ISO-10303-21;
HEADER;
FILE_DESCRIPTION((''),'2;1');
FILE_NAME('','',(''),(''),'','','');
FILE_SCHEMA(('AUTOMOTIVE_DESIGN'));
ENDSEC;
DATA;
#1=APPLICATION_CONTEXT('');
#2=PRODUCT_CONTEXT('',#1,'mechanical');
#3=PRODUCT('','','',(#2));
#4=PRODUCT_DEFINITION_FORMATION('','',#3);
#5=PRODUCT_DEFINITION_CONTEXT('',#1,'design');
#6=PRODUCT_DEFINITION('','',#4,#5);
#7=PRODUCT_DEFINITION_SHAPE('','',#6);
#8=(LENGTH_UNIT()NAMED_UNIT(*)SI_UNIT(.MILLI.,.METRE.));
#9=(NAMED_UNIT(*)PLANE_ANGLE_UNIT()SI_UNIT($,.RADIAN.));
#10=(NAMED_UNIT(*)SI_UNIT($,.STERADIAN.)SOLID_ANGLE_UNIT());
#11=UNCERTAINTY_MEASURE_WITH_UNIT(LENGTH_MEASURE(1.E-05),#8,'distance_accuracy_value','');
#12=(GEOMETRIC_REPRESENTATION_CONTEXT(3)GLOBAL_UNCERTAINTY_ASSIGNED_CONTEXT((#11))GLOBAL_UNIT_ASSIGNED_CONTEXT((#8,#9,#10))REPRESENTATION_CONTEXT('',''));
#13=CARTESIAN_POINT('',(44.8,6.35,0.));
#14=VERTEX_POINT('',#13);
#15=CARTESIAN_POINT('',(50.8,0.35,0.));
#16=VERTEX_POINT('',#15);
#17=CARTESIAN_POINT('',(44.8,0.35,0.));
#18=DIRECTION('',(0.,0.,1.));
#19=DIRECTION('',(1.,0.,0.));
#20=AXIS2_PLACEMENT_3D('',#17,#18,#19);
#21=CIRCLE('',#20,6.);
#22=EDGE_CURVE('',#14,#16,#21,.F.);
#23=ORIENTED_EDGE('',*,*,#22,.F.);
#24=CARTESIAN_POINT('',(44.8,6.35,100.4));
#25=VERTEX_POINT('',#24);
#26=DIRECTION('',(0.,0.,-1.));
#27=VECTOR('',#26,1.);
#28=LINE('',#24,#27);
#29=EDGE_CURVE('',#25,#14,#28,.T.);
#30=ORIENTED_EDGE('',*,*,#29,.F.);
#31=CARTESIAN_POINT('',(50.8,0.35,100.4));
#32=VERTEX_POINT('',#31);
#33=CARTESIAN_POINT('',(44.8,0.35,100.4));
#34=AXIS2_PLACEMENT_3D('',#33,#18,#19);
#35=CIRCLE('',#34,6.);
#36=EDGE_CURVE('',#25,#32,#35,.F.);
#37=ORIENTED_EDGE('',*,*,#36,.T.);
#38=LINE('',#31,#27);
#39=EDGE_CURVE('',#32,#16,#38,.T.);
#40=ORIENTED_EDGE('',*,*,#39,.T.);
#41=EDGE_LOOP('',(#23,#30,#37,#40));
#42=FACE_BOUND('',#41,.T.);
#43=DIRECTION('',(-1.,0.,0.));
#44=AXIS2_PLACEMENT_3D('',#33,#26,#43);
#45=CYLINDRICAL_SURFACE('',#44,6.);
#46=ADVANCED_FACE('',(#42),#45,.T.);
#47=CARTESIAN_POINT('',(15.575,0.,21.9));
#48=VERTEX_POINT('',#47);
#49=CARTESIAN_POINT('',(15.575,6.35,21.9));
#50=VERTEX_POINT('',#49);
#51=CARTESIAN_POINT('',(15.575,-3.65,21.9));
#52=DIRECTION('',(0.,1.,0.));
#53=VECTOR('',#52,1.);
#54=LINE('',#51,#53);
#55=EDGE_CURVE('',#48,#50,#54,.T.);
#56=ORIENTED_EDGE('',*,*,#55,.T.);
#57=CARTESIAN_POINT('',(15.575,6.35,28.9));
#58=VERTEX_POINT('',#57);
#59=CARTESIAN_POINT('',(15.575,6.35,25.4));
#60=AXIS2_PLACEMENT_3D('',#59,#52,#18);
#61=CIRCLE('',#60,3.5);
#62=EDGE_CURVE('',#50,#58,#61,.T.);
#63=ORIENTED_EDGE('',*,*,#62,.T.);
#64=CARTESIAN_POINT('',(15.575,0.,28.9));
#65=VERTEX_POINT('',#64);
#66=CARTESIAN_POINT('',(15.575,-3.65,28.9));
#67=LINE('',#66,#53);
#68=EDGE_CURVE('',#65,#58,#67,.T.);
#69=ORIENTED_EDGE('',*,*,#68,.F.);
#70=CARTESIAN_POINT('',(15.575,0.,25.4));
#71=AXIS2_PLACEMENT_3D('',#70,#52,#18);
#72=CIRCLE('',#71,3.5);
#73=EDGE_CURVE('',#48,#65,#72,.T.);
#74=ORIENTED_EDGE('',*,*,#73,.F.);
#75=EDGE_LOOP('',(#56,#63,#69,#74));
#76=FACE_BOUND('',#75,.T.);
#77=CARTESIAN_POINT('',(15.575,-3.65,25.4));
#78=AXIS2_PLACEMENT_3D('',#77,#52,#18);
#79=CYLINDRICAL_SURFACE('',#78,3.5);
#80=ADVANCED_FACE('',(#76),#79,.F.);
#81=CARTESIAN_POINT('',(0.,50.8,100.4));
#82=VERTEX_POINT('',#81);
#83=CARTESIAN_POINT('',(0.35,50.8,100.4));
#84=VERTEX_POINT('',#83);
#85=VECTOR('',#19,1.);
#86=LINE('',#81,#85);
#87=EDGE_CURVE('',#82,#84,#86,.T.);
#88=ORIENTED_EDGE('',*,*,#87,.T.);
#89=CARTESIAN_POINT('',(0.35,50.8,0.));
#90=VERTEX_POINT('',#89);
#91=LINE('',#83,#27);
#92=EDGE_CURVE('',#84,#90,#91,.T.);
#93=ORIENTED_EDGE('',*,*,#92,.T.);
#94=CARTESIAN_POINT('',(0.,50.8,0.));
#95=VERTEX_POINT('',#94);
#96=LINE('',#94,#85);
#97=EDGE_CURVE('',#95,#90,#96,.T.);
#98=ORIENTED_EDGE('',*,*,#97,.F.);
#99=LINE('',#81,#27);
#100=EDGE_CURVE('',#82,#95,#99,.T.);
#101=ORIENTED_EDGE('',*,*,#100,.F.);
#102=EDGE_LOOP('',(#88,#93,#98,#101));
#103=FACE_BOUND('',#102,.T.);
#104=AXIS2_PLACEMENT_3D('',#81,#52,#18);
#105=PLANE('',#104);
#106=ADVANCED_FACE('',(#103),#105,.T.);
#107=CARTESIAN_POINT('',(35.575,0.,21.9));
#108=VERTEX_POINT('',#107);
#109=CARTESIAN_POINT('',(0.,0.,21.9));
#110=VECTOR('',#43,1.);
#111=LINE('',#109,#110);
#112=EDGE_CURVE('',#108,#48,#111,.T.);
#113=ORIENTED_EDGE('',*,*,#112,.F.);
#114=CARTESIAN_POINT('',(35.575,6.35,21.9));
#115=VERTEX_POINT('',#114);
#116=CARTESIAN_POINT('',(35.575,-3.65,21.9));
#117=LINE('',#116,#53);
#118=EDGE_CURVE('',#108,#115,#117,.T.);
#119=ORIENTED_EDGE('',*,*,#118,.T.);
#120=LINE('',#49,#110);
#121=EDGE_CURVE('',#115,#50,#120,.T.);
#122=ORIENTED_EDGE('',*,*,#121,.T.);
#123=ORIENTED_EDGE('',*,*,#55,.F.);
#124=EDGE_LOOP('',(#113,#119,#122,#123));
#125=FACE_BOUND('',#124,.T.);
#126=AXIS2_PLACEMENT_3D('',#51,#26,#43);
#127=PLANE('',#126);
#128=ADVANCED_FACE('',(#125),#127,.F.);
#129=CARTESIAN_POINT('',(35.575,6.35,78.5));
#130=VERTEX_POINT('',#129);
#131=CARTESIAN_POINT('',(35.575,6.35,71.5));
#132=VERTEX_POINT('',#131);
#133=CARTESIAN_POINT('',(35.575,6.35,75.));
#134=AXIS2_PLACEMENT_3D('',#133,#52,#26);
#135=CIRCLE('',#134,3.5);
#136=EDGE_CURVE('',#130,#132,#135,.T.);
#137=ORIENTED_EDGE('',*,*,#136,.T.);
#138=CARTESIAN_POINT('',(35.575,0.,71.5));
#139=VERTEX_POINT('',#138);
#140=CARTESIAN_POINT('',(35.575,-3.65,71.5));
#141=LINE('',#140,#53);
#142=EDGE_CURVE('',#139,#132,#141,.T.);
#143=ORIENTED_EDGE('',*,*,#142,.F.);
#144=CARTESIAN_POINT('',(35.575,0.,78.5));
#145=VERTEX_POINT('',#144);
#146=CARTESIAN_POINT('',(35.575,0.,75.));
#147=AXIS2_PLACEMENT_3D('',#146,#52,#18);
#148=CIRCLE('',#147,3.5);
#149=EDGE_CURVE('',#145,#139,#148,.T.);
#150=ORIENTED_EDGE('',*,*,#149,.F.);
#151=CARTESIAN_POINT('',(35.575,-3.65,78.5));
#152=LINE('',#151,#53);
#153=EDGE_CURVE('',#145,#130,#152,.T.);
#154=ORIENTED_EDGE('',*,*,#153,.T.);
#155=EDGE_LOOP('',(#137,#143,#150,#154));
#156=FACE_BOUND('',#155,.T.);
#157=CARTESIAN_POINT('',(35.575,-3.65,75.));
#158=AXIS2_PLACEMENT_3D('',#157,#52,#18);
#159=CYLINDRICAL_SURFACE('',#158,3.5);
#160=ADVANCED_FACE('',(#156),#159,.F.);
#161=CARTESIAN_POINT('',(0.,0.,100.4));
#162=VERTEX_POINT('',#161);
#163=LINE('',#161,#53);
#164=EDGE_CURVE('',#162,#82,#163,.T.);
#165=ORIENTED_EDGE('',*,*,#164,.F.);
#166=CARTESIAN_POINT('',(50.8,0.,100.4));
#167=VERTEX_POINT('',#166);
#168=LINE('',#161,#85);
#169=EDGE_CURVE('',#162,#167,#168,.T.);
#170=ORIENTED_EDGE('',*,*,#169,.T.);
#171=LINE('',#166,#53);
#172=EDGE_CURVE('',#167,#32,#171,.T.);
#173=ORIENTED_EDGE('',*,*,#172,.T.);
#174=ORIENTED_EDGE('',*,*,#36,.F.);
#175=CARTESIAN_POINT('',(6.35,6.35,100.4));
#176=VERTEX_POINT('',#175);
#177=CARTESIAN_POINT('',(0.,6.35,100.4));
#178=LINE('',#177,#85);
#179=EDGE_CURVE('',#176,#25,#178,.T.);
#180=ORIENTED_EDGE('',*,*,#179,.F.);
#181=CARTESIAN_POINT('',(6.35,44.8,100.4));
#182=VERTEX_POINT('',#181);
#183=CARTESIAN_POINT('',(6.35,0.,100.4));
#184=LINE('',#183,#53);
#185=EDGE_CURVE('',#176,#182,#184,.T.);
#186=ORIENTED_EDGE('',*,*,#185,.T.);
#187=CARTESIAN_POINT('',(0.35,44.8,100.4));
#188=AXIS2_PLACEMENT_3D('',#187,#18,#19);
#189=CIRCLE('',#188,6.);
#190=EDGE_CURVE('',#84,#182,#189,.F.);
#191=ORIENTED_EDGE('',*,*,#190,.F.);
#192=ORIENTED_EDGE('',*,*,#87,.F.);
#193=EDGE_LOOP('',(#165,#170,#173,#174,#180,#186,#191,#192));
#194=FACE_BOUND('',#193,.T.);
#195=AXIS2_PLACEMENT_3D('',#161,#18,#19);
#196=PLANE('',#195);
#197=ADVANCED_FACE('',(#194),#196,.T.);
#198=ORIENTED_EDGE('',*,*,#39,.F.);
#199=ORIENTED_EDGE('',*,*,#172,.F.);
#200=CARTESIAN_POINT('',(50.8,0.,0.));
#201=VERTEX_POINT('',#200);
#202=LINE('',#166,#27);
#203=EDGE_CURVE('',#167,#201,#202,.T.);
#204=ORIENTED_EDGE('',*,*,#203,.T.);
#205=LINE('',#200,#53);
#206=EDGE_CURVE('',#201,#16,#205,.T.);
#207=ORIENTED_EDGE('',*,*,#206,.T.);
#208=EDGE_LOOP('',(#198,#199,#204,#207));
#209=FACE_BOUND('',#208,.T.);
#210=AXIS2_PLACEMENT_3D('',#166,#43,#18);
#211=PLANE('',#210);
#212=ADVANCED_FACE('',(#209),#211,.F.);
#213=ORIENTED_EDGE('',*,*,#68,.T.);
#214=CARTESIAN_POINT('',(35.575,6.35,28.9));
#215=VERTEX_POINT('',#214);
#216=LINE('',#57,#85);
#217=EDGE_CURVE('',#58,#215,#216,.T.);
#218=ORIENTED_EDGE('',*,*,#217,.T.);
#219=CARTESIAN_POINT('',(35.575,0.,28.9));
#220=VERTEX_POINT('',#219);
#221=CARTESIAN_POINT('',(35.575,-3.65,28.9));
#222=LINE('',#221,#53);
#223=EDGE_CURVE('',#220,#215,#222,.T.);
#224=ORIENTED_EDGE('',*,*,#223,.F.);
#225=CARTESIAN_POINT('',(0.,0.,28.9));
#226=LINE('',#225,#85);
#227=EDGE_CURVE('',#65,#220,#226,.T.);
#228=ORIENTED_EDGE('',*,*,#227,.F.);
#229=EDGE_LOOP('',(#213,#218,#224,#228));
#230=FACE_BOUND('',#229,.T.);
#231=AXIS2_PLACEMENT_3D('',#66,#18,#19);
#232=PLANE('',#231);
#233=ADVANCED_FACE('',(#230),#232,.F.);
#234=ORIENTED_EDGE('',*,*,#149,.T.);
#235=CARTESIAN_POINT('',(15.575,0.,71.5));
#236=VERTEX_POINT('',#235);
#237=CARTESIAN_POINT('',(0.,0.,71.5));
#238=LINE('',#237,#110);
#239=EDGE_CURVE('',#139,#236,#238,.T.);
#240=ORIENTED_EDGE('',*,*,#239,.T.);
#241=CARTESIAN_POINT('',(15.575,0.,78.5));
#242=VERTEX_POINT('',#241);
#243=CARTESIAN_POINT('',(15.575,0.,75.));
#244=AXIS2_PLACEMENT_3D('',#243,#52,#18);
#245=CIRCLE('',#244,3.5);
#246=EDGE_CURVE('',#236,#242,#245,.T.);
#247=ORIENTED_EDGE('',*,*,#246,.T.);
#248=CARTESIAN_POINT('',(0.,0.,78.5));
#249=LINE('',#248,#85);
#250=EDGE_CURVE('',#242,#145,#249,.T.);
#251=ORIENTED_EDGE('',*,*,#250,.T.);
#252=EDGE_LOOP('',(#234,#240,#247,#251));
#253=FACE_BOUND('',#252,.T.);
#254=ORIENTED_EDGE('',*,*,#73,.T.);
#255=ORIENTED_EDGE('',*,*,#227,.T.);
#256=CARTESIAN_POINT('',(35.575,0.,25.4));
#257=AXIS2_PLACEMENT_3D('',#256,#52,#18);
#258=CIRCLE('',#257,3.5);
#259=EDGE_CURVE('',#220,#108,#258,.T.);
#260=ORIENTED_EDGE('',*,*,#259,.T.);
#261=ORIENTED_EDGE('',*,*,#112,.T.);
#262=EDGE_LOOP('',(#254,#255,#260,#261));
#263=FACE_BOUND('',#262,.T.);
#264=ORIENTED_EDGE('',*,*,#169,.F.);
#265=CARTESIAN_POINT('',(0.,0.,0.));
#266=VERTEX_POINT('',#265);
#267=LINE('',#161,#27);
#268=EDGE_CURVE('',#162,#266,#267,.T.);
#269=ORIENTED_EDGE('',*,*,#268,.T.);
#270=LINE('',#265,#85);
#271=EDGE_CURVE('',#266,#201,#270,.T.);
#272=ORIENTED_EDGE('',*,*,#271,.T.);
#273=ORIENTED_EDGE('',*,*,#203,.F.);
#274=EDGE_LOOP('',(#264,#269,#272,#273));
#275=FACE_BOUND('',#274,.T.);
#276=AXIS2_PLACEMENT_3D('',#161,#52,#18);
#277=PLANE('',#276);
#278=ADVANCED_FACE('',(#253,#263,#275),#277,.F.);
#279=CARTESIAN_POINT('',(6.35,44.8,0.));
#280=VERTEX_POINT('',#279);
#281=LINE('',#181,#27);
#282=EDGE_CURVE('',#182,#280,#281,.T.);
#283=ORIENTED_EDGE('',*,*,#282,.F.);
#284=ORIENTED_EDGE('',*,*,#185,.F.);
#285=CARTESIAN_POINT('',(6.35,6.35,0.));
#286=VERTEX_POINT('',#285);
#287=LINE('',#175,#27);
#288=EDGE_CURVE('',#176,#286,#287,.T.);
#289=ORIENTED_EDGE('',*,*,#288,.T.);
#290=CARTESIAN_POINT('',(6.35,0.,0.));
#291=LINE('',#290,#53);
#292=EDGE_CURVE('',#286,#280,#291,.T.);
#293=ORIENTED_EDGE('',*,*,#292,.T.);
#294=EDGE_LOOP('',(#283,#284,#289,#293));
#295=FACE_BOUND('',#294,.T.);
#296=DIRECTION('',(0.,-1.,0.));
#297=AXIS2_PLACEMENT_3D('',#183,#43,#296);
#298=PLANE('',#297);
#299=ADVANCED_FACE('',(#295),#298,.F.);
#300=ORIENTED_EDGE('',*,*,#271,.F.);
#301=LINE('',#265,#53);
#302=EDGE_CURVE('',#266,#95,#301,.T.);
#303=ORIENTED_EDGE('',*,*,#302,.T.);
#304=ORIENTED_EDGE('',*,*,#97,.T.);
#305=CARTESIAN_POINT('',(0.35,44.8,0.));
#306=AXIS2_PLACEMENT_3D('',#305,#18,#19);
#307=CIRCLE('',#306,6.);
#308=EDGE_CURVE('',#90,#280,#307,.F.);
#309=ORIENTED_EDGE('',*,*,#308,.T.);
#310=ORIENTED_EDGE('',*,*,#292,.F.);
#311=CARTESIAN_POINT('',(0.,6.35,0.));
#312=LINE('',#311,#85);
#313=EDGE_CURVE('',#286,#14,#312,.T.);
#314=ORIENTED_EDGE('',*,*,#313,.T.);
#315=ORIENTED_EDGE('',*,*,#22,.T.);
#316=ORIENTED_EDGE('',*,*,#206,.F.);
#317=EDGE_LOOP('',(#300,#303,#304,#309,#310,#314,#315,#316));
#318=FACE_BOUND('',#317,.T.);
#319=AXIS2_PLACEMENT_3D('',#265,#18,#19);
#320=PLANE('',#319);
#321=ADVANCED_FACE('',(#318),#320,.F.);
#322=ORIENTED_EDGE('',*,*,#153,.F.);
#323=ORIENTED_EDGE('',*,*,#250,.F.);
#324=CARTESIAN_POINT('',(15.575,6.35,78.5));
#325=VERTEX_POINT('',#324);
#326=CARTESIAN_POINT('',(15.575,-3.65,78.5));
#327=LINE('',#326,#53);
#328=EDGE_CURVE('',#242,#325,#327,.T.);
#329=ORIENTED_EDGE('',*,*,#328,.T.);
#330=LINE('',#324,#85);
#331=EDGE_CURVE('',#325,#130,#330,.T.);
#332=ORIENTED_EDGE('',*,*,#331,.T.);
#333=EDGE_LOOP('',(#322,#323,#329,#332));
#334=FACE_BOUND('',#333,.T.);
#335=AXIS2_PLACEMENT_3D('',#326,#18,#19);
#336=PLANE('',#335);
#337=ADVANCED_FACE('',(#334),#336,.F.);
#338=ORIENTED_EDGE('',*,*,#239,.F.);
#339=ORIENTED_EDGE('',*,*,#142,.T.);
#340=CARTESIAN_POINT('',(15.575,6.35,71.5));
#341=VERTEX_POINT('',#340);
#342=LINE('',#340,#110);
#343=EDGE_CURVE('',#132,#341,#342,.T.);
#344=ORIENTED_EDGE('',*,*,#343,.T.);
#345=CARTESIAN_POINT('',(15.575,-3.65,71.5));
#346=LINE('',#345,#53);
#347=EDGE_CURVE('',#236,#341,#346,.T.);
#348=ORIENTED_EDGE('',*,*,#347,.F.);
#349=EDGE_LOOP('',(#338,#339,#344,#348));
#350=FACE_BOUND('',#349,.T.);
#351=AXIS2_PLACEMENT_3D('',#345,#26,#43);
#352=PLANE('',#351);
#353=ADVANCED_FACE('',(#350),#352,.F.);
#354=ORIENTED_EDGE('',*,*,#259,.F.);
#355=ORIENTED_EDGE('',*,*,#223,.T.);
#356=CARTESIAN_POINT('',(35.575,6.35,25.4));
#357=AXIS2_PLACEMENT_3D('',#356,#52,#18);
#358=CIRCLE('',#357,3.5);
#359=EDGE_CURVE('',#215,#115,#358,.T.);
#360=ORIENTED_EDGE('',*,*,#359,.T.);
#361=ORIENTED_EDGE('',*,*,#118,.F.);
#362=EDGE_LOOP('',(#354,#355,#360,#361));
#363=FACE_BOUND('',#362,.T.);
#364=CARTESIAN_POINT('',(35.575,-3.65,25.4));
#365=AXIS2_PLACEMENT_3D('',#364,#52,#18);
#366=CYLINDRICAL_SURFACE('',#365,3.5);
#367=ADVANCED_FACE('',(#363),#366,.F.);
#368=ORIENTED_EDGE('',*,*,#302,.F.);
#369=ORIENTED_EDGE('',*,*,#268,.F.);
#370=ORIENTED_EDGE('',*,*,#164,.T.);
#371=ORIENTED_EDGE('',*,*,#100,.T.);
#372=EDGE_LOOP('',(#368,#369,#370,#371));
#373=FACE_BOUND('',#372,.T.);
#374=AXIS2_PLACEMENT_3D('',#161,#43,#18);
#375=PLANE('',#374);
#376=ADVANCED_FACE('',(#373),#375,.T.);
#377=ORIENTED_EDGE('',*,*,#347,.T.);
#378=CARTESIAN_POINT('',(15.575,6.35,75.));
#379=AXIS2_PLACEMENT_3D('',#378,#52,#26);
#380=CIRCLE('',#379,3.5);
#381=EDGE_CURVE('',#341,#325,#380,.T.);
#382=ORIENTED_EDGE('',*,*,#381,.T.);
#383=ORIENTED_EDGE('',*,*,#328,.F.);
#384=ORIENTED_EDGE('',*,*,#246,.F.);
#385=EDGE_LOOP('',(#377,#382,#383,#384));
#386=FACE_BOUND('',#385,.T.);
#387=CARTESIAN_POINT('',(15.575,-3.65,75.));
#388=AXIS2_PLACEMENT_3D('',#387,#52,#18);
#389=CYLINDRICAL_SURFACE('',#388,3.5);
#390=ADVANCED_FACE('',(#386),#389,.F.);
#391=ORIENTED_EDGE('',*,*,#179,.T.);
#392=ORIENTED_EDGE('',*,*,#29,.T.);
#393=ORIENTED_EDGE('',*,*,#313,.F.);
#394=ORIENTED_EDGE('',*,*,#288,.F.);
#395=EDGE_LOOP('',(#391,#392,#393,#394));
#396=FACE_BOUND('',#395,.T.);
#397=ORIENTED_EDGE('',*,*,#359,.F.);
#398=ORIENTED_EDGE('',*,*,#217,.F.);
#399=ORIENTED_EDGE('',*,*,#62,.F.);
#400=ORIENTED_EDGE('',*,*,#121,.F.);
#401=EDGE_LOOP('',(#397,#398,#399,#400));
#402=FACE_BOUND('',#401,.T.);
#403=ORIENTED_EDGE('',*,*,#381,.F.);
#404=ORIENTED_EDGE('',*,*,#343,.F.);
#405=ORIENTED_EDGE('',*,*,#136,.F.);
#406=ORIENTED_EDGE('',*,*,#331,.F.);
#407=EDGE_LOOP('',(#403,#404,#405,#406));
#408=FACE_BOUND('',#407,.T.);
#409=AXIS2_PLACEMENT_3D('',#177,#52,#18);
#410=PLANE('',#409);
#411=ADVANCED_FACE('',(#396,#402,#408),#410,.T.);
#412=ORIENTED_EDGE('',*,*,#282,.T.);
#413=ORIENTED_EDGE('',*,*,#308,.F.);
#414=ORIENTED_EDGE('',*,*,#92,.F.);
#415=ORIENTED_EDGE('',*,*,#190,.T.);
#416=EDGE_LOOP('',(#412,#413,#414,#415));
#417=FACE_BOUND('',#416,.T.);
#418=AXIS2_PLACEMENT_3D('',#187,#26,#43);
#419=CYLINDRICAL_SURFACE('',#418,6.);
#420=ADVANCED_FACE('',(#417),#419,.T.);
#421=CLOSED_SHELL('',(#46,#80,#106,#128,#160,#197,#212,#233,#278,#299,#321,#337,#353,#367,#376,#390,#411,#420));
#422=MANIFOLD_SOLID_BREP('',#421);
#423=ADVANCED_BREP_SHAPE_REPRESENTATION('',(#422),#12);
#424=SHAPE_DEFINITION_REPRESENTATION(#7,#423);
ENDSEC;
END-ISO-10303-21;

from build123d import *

# Parameters (mm, degrees)
BOSS_EXTRUDE1_DEPTH = 100.4
CUT_EXTRUDE1_DEPTH  = 10


with BuildPart() as part:
    # Sketch1 → Boss-Extrude1 (new body)
    with BuildSketch(Plane.XY):
        with BuildLine():
            Line((44.8, 6.35), (12.35, 6.35))
            Line((12.35, 6.35), (6.35, 6.35))
            Line((6.35, 6.35), (6.35, 44.8))
            ThreePointArc((6.35, 44.8), (4.592640687, 49.042640687), (0.35, 50.8))
            Line((0.35, 50.8), (0, 50.8))
            Line((0, 50.8), (0, 6.35))
            Line((0, 6.35), (0, 0))
            Line((0, 0), (6.35, 0))
            Line((6.35, 0), (50.8, 0))
            Line((50.8, 0), (50.8, 0.35))
            ThreePointArc((50.8, 0.35), (49.042640687, 4.592640687), (44.8, 6.35))
        make_face()
    extrude(amount=BOSS_EXTRUDE1_DEPTH)

    # Sketch2 → Cut-Extrude1 (cut)
    with BuildSketch(Plane(origin=(0, 6.35, 0), x_dir=(1, 0, 0), z_dir=(0, 1, 0))):
        with BuildLine():
            Line((15.575, -21.9), (35.575, -21.9))
            ThreePointArc((35.575, -21.9), (39.075, -25.4), (35.575, -28.9))
            Line((35.575, -28.9), (15.575, -28.9))
            ThreePointArc((15.575, -28.9), (12.075, -25.4), (15.575, -21.9))
        make_face()
        with BuildLine():
            Line((15.575, -78.5), (35.575, -78.5))
            ThreePointArc((35.575, -78.5), (39.075, -75), (35.575, -71.5))
            Line((35.575, -71.5), (15.575, -71.5))
            ThreePointArc((15.575, -71.5), (12.075, -75), (15.575, -78.5))
        make_face()
    extrude(amount=-CUT_EXTRUDE1_DEPTH, mode=Mode.SUBTRACT)


solid = part.part
